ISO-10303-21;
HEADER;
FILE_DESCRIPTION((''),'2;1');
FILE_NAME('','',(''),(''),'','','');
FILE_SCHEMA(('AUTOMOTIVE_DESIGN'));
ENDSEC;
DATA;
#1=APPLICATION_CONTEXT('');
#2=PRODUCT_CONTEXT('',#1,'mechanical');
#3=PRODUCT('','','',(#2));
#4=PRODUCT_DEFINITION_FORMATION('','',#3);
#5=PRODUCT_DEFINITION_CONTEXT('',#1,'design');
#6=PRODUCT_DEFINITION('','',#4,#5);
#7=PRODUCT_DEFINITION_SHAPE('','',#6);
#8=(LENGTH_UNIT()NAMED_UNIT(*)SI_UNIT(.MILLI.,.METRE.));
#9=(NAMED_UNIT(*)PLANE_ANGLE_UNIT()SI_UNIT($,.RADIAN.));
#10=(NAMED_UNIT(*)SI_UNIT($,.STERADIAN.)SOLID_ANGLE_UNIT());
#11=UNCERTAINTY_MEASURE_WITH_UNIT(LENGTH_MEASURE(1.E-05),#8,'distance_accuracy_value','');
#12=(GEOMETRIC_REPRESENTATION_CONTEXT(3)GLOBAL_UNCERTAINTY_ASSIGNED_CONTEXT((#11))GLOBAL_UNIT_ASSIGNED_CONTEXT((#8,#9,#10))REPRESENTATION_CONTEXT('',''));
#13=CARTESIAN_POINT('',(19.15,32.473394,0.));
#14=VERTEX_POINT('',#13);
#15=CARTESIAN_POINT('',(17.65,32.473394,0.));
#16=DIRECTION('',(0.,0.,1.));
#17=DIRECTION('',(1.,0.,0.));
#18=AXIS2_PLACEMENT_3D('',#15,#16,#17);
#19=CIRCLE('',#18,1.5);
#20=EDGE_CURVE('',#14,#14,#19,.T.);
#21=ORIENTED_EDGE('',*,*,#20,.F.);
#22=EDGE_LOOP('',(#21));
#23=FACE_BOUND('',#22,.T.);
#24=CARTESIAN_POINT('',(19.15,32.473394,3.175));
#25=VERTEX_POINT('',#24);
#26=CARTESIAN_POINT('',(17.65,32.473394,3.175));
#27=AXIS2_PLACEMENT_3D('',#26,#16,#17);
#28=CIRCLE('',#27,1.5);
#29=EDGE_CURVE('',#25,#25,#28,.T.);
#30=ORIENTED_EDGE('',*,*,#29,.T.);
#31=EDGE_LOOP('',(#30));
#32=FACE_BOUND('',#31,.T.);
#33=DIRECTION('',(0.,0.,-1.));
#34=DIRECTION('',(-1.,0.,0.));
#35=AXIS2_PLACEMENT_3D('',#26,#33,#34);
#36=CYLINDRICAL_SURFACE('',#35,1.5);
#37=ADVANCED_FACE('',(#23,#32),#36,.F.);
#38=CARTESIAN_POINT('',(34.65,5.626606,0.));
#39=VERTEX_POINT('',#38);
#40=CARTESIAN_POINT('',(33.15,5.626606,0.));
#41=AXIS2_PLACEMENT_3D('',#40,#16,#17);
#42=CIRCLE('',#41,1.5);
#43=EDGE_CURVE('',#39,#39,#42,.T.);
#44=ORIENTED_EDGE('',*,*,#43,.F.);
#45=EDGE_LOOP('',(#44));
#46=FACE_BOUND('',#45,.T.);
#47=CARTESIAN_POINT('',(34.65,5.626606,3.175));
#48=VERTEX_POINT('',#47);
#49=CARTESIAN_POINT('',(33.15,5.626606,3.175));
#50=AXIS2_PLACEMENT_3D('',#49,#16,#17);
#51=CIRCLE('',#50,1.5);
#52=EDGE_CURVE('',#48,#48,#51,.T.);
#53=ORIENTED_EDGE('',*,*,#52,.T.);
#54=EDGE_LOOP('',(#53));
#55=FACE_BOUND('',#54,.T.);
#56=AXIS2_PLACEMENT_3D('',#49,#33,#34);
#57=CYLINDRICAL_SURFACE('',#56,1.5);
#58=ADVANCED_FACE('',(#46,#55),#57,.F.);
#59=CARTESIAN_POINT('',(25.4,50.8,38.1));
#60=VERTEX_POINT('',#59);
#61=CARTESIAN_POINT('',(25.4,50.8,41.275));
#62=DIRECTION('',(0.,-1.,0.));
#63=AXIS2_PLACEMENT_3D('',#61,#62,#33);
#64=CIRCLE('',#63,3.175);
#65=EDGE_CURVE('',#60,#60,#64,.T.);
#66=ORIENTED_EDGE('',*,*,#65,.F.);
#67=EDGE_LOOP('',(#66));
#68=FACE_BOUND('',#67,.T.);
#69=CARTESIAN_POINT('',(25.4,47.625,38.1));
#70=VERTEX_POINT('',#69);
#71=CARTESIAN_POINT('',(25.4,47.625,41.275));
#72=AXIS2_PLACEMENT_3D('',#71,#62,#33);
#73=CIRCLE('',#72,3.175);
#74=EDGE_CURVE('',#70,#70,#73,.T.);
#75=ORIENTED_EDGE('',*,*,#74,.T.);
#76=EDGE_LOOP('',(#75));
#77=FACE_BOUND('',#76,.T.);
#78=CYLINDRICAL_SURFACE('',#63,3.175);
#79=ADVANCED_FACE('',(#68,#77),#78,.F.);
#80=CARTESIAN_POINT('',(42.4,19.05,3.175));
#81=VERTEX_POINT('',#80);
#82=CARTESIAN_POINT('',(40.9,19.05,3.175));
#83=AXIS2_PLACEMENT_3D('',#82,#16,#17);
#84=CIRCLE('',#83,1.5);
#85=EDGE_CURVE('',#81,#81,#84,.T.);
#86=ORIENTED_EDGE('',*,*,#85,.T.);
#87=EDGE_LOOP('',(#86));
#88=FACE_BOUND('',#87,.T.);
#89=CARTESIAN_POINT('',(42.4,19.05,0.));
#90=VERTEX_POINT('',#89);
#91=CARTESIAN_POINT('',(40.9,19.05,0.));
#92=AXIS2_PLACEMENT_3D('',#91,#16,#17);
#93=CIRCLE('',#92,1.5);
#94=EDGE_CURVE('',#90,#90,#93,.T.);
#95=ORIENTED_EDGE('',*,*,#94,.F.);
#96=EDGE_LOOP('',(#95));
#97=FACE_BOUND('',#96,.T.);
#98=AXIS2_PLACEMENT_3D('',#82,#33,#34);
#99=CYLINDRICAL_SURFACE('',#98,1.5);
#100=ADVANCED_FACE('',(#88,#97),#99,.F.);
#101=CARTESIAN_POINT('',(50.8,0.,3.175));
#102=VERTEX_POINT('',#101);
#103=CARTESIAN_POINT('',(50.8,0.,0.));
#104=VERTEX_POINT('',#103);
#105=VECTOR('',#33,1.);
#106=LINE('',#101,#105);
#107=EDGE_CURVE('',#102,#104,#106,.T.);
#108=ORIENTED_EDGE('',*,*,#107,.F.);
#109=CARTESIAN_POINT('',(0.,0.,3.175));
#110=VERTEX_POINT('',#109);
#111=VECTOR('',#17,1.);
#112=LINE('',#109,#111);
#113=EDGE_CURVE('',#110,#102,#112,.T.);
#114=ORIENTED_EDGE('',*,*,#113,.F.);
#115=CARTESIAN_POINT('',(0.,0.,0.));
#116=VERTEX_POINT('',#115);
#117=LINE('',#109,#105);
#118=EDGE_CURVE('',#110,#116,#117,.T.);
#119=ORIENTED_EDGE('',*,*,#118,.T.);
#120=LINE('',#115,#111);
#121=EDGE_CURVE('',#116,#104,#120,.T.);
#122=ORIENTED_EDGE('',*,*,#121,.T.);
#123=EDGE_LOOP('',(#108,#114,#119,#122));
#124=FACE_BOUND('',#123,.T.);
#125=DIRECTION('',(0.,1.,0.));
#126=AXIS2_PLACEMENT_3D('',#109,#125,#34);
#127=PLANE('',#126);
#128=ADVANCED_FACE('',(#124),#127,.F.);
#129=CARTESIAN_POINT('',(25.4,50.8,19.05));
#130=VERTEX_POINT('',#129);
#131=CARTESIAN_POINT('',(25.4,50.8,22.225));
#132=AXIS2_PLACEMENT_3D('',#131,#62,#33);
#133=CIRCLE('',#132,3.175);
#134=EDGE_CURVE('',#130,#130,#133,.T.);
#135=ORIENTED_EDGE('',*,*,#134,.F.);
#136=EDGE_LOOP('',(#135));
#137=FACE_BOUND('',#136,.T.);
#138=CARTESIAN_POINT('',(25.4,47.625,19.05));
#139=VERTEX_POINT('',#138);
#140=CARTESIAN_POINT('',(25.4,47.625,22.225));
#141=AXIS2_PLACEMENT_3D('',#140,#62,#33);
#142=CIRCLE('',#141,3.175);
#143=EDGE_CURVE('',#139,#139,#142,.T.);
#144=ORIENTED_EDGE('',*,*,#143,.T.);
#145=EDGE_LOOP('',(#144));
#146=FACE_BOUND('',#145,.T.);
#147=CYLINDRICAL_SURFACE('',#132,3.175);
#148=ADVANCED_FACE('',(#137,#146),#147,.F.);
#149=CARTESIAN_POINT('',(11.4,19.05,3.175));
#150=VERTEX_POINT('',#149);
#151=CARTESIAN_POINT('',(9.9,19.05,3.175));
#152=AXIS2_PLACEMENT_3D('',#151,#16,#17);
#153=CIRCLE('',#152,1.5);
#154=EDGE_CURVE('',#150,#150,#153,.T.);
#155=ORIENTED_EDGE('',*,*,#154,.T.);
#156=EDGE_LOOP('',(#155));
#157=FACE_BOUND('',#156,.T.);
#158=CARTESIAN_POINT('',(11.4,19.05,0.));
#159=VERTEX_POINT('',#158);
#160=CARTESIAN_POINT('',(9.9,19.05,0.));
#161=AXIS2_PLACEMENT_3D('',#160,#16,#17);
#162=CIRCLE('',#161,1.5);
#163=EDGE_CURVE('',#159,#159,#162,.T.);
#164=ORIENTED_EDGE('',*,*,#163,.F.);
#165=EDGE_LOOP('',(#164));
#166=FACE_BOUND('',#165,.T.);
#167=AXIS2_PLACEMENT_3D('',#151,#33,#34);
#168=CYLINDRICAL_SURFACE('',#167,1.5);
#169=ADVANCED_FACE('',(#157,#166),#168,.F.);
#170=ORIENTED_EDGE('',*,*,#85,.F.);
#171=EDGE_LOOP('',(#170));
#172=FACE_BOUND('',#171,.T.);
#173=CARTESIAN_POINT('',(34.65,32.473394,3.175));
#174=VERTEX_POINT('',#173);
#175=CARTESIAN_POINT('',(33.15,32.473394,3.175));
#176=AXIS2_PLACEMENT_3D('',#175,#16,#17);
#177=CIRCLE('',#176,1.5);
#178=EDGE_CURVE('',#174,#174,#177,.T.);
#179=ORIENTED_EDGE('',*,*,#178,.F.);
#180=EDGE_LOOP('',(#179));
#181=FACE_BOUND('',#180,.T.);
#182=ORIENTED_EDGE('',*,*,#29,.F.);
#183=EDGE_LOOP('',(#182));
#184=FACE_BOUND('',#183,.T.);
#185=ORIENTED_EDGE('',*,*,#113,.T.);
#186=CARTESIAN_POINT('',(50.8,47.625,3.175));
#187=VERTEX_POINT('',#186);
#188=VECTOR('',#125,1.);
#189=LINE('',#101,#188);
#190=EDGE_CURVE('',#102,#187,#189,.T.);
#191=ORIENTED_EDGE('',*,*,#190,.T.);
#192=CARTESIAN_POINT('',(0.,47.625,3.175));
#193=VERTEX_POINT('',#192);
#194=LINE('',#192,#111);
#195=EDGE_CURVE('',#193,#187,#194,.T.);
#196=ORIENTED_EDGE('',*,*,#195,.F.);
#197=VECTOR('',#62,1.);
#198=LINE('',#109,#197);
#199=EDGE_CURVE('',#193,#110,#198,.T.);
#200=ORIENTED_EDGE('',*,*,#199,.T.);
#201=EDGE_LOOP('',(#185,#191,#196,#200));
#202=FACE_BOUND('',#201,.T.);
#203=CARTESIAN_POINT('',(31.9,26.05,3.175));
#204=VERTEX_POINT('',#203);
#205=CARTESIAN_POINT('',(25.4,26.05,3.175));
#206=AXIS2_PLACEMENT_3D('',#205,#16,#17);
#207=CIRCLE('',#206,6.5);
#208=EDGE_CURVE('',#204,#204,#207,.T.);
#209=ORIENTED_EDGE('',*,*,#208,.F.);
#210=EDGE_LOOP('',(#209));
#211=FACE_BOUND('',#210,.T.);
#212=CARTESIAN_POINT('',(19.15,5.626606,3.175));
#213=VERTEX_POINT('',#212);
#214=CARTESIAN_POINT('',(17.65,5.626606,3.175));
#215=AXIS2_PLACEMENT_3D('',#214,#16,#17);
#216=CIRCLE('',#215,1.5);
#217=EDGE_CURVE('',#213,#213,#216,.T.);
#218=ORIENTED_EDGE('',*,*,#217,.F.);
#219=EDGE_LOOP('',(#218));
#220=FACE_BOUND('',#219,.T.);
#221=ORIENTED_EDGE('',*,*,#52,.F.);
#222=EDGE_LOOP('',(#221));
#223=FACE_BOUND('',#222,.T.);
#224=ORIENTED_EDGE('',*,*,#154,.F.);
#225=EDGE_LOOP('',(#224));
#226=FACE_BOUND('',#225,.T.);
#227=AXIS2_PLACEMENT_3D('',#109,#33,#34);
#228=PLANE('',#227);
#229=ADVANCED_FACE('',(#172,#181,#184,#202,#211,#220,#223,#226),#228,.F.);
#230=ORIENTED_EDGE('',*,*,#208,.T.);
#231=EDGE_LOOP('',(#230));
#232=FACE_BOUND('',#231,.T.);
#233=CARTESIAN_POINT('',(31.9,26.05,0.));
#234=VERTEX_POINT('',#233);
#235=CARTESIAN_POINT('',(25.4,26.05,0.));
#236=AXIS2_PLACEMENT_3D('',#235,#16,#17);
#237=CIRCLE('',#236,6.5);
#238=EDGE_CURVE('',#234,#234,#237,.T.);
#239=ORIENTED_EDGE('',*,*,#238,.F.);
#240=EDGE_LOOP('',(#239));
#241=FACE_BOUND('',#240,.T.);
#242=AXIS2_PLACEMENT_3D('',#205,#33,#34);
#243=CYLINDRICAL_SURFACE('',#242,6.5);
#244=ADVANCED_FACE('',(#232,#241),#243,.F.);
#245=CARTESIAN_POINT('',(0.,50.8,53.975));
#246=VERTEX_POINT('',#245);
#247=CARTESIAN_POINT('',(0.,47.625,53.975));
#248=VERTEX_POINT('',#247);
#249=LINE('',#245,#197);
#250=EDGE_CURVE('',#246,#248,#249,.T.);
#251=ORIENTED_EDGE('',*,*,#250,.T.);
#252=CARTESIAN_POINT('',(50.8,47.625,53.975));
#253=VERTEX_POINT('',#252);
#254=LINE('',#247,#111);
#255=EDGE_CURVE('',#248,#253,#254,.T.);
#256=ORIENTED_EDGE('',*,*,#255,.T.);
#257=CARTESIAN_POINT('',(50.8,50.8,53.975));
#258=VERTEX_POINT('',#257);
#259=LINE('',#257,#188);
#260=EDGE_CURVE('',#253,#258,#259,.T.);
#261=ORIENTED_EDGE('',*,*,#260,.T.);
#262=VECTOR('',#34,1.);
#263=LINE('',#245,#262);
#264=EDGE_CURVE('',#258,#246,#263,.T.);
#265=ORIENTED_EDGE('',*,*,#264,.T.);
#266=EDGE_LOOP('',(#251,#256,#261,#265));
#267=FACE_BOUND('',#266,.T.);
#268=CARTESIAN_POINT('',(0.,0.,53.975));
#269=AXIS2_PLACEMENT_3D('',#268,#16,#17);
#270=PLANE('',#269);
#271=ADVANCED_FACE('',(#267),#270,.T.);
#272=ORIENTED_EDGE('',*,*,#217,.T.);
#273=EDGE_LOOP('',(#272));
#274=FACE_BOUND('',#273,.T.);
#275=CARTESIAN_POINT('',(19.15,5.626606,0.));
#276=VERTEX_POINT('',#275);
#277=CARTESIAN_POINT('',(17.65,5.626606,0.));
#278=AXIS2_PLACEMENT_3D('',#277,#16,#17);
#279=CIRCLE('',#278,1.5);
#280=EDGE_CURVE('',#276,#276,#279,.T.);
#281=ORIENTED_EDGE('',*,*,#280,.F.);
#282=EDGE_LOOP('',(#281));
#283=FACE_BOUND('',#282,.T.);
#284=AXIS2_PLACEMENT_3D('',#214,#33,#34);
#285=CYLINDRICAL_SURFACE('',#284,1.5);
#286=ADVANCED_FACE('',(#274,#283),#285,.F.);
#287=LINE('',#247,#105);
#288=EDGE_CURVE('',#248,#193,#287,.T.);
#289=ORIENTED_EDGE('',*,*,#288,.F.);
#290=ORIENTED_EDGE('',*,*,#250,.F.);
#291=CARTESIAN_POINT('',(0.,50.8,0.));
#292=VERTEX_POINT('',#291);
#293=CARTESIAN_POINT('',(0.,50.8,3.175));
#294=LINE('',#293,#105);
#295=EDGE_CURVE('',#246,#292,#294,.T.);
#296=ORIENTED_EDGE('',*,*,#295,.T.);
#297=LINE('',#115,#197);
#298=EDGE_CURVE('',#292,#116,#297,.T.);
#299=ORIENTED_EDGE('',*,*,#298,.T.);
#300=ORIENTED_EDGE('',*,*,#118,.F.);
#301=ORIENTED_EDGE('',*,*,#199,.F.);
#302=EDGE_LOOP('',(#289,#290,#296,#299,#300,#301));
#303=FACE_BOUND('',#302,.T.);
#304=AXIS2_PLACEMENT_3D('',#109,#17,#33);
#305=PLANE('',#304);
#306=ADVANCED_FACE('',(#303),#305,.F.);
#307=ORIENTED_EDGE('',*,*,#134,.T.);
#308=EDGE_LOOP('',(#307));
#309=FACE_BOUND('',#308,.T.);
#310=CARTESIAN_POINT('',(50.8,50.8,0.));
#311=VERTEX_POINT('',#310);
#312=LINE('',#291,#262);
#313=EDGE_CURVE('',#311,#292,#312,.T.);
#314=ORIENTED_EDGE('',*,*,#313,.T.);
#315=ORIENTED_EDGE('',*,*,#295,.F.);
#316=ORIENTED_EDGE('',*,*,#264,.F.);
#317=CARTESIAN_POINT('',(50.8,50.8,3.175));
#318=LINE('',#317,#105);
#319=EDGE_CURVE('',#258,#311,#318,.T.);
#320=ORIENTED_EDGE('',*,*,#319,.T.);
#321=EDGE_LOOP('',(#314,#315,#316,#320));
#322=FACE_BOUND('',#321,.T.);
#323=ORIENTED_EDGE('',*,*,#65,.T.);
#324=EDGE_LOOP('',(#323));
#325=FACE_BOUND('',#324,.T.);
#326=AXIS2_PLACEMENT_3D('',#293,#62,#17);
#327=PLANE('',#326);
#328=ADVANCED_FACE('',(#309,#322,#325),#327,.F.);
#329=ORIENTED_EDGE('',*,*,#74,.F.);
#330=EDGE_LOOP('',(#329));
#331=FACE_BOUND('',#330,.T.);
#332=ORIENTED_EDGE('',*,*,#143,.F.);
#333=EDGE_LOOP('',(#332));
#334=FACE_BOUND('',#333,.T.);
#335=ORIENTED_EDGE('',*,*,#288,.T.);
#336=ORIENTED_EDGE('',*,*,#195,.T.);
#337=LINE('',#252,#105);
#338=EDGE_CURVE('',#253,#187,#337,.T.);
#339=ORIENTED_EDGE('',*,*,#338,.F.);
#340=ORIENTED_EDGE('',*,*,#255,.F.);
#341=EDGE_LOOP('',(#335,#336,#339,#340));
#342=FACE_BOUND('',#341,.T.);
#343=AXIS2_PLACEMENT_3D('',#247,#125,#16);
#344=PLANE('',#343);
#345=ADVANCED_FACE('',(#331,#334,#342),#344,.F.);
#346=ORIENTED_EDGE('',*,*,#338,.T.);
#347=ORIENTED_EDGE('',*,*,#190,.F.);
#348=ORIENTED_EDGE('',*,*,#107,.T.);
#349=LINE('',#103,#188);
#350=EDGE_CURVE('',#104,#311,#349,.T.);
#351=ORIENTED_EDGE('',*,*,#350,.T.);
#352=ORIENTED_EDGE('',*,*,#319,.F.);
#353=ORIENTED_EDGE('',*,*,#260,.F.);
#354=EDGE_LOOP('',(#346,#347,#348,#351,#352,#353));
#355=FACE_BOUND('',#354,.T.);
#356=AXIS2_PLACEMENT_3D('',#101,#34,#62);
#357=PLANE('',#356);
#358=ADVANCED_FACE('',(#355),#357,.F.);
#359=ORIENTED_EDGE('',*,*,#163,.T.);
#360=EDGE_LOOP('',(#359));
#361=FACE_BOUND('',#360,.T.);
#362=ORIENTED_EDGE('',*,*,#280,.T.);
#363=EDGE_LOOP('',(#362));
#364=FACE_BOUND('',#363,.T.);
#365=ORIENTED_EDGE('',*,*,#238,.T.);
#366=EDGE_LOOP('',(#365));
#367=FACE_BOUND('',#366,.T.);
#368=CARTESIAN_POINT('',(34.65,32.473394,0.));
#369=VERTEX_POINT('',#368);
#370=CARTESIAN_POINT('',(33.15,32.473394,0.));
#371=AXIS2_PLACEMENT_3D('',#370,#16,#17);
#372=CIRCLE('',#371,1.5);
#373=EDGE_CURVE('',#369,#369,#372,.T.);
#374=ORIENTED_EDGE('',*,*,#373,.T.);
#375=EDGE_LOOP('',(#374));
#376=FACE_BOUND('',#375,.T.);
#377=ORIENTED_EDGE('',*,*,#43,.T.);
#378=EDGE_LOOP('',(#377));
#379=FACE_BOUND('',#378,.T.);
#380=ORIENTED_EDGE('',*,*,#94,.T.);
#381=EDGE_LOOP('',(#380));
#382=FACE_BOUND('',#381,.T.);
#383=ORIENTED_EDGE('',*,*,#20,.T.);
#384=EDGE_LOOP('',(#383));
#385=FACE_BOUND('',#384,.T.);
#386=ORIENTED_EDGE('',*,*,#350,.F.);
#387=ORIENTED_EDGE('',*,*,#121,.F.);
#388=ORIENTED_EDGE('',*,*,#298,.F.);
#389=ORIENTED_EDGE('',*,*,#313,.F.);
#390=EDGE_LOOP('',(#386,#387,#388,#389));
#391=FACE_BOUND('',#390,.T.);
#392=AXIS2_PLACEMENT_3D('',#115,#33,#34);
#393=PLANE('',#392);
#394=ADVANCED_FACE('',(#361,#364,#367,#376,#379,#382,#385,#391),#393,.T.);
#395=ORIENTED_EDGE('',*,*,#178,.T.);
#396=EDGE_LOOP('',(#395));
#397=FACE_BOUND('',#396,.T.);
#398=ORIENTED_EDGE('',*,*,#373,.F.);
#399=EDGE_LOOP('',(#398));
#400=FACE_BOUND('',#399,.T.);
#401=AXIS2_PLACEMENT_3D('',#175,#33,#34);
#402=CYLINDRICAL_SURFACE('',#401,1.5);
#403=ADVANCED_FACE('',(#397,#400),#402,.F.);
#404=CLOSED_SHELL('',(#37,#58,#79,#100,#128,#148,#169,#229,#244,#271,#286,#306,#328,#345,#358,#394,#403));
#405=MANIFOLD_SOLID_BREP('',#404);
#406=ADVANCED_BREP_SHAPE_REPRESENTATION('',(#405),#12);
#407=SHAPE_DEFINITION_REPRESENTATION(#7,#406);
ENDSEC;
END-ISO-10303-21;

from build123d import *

# Parameters (mm, degrees)
SKETCH1_W           = 50.8
SKETCH1_H           = 50.8
SKETCH1_R           = 6.5
SKETCH1_R_2         = 1.5
BOSS_EXTRUDE1_DEPTH = 3.175
SKETCH2_W           = 50.8
SKETCH2_H           = 3.175
BOSS_EXTRUDE2_DEPTH = 50.8
SKETCH3_R           = 3.175
CUT_EXTRUDE1_DEPTH  = 4.175


with BuildPart() as part:
    # Sketch1 → Boss-Extrude1 (new body)
    with BuildSketch(Plane.XY):
        with Locations((25.4, 25.4)):
            Rectangle(SKETCH1_W, SKETCH1_H)
        with Locations((25.4, 26.05)):
            Circle(SKETCH1_R, mode=Mode.SUBTRACT)
        with Locations((9.9, 19.05)):
            Circle(SKETCH1_R_2, mode=Mode.SUBTRACT)
        with Locations((40.9, 19.05)):
            Circle(SKETCH1_R_2, mode=Mode.SUBTRACT)
        with Locations((33.15, 5.626606241)):
            Circle(SKETCH1_R_2, mode=Mode.SUBTRACT)
        with Locations((17.65, 5.626606241)):
            Circle(SKETCH1_R_2, mode=Mode.SUBTRACT)
        with Locations((17.65, 32.473393759)):
            Circle(SKETCH1_R_2, mode=Mode.SUBTRACT)
        with Locations((33.15, 32.473393759)):
            Circle(SKETCH1_R_2, mode=Mode.SUBTRACT)
    extrude(amount=BOSS_EXTRUDE1_DEPTH)

    # Sketch2 → Boss-Extrude2 (add)
    with BuildSketch(Plane.XY.offset(3.175)):
        with Locations((25.4, 49.2125)):
            Rectangle(SKETCH2_W, SKETCH2_H)
    extrude(amount=BOSS_EXTRUDE2_DEPTH)

    # Sketch3 → Cut-Extrude1 (cut, through all)
    with BuildSketch(Plane.XZ.offset(-47.625)):
        with Locations((25.4, 41.275)):
            Circle(SKETCH3_R)
        with Locations((25.4, 22.225)):
            Circle(SKETCH3_R)
    extrude(amount=-CUT_EXTRUDE1_DEPTH, mode=Mode.SUBTRACT)


solid = part.part
